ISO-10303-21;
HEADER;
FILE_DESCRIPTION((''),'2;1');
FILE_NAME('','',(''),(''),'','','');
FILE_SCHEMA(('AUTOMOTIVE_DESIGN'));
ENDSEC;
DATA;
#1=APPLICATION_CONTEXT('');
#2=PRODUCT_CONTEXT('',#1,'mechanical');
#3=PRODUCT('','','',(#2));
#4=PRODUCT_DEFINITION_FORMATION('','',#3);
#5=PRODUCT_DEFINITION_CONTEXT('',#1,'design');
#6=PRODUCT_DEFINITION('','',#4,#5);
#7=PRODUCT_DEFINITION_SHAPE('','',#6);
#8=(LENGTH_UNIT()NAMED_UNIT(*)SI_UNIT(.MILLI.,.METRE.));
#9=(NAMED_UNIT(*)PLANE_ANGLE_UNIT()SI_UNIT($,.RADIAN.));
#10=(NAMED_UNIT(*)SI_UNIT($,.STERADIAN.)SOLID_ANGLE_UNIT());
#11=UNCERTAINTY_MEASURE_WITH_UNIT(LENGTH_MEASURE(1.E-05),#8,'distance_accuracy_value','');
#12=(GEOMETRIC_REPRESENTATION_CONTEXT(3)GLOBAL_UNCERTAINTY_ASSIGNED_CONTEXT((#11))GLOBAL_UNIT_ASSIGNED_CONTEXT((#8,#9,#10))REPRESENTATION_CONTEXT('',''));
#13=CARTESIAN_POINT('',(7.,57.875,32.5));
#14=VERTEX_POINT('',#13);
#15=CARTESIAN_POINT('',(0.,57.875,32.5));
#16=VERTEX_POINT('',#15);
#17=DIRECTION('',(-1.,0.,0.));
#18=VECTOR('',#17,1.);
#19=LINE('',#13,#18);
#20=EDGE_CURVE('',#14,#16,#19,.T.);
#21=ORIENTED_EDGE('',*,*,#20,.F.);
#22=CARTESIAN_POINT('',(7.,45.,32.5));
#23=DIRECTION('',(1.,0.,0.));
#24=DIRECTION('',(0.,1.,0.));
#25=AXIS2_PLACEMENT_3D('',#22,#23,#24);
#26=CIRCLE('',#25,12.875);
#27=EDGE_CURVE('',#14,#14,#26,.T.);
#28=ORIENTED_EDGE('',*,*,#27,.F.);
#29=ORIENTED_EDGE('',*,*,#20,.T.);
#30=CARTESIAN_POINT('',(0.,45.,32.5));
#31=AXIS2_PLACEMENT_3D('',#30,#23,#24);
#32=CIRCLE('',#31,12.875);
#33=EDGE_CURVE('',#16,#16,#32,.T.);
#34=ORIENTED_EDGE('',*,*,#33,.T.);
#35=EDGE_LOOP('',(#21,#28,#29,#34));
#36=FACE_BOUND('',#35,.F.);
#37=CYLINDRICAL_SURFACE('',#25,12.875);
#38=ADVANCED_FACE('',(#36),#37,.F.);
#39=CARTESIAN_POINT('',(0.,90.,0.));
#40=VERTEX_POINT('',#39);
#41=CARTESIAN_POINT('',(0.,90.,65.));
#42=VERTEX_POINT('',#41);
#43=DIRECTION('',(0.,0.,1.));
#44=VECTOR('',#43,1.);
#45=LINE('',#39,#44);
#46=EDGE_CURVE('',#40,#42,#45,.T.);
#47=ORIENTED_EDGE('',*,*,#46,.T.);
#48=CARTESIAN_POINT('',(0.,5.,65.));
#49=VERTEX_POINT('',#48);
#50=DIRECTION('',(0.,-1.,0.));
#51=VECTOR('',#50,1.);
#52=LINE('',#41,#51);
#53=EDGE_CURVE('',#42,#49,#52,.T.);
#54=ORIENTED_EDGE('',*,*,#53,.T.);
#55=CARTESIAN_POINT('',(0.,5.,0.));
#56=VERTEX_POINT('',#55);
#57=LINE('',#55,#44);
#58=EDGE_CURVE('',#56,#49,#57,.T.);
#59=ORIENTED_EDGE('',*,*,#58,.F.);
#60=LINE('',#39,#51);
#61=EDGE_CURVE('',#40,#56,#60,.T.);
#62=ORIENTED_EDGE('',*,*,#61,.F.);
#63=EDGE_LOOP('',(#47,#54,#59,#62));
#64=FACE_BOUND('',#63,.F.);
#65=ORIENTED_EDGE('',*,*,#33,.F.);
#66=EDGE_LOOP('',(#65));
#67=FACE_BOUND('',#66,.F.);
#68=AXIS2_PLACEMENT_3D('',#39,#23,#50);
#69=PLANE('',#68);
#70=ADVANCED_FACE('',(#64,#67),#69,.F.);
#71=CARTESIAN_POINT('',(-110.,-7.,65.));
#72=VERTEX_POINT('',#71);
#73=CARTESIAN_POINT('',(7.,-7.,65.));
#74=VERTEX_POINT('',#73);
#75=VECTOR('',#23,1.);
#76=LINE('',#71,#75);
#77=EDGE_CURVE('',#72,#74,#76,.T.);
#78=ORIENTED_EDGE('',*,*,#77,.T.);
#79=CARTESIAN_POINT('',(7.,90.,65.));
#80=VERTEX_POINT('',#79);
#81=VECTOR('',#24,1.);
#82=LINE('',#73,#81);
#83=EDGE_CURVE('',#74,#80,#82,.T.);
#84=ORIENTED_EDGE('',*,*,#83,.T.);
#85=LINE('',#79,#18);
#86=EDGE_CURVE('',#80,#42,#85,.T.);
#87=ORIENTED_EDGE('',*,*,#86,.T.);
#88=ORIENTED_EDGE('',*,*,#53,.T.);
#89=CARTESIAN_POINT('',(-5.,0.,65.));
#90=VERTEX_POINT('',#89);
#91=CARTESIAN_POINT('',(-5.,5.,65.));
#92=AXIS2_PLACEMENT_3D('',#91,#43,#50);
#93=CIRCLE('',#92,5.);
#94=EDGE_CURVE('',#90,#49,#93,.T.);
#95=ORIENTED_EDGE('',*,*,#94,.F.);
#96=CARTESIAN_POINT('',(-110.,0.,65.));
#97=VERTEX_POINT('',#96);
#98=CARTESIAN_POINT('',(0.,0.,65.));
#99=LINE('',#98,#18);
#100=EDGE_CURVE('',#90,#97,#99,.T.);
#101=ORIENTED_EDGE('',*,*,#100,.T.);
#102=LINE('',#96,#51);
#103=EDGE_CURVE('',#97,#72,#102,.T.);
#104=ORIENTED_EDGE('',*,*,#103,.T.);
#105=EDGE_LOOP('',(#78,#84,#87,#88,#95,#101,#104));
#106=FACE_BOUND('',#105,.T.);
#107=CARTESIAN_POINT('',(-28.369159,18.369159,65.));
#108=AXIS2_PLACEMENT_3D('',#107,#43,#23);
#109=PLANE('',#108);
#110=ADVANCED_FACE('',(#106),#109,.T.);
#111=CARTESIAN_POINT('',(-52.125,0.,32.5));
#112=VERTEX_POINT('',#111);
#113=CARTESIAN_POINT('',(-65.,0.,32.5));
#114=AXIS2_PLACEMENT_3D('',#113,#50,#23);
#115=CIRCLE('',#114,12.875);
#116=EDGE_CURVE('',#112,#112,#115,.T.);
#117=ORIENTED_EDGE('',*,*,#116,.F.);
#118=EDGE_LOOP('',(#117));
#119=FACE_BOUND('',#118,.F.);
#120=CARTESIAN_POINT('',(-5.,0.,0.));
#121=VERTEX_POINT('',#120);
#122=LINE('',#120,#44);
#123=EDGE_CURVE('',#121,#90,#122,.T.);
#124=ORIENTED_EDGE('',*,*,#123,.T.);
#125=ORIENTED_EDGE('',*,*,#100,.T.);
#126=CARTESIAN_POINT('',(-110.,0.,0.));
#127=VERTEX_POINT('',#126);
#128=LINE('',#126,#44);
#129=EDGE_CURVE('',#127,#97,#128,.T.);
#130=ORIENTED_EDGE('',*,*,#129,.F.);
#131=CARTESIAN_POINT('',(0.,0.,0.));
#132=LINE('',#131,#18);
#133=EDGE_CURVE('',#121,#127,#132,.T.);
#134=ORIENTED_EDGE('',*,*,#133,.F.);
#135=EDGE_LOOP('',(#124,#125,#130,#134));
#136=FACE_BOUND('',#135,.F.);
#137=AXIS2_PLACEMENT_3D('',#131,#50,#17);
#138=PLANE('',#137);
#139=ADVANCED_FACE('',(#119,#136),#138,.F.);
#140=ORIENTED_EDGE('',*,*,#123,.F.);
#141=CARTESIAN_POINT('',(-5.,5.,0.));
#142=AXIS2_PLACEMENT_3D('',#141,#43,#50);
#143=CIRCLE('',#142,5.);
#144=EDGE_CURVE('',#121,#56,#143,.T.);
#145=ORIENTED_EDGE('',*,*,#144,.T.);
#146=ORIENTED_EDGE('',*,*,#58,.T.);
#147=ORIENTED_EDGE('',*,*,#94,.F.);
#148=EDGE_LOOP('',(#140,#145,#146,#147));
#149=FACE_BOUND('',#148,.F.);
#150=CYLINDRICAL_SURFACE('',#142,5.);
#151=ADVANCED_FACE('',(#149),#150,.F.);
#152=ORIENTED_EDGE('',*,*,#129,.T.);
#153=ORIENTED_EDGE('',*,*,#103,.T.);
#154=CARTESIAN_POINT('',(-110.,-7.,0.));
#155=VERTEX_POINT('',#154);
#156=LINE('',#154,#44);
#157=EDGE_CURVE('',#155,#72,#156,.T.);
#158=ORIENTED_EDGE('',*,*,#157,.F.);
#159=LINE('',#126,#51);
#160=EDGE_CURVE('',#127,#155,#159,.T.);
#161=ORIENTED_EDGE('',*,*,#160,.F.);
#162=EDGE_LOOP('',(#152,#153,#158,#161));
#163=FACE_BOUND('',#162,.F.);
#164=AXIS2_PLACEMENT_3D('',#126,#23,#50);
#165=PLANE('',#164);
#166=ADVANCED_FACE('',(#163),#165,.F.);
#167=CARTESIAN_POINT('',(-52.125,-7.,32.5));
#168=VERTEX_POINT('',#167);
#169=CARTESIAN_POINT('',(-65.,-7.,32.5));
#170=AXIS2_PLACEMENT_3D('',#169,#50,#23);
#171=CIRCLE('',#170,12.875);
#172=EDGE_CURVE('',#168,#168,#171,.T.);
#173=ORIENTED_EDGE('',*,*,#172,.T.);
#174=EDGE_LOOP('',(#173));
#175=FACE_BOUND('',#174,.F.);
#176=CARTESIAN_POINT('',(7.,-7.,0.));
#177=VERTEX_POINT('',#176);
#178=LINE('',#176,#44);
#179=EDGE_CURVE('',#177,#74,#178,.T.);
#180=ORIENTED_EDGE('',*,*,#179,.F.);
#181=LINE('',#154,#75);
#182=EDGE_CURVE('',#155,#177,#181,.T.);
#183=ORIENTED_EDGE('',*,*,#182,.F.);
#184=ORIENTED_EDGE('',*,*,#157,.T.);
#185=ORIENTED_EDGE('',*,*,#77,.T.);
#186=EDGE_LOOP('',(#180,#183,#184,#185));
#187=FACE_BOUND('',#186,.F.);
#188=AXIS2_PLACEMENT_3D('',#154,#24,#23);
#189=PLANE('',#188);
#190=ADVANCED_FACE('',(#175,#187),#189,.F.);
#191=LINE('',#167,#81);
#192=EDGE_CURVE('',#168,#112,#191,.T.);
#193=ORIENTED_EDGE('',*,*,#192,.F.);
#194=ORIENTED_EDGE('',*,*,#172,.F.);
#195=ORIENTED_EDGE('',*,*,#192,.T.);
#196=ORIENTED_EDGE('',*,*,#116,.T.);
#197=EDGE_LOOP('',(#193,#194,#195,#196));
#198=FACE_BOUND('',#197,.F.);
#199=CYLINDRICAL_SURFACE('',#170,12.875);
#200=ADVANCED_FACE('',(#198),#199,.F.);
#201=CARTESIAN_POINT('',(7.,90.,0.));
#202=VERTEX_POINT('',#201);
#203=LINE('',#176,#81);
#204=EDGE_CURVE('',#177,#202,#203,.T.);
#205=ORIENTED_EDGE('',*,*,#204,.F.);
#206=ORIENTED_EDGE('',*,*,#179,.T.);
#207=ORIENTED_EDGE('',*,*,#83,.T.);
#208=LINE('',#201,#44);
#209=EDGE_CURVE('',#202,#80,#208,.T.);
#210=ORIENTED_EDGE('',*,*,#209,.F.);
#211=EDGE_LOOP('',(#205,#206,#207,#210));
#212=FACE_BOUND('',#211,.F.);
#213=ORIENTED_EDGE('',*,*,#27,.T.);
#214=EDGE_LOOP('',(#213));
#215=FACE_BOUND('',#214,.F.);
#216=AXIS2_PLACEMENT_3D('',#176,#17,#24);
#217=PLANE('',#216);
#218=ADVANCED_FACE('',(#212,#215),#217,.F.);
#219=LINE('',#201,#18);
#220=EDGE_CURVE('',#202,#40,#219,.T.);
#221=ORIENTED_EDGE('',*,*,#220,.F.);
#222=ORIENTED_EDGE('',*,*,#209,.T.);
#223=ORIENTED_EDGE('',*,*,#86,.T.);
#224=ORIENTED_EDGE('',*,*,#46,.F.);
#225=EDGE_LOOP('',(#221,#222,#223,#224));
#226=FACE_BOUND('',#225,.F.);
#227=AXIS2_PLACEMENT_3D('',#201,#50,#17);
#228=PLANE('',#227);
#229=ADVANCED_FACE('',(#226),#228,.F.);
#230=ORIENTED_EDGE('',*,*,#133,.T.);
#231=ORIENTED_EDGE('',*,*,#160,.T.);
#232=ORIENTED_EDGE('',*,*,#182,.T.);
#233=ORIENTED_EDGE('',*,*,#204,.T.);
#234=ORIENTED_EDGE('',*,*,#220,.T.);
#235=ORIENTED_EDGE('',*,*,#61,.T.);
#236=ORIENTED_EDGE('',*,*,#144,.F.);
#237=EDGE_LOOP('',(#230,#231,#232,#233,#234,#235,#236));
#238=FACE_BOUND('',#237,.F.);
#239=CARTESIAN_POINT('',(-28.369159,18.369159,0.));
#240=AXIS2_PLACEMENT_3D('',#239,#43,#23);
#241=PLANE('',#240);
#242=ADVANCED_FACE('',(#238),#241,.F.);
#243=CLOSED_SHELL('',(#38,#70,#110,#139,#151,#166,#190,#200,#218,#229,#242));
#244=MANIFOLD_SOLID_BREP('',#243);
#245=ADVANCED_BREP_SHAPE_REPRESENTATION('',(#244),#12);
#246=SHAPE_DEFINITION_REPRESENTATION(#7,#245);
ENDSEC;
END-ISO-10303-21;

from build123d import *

# Parameters (mm, degrees)
F1_DEPTH = 65
F2_R     = 5
F3_R     = 12.875
F4_DEPTH = 7
F5_R     = 12.875
F6_DEPTH = 7


with BuildPart() as f1:
    # F0 (on Top) → F1 (new body)
    with BuildSketch(Plane.XY):
        Polygon((0, 0), (-110, 0), (-110, -7), (7, -7), (7, 90), (0, 90), align=None)
    extrude(amount=F1_DEPTH)

    # F2
    f2_edges = [f1.edges().sort_by_distance(p)[0] for p in [
        (0, 0, 32.5),
    ]]
    fillet(f2_edges, radius=F2_R)

    # F3 (on face) → F4 (cut)
    with BuildSketch(Plane.YZ.offset(7)):
        with Locations((45, 32.5)):
            Circle(F3_R)
    extrude(amount=-F4_DEPTH, mode=Mode.SUBTRACT)

    # F5 (on face) → F6 (cut)
    with BuildSketch(Plane.XZ.offset(7)):
        with Locations((-65, 32.5)):
            Circle(F5_R)
    extrude(amount=-F6_DEPTH, mode=Mode.SUBTRACT)


solid = f1.part
